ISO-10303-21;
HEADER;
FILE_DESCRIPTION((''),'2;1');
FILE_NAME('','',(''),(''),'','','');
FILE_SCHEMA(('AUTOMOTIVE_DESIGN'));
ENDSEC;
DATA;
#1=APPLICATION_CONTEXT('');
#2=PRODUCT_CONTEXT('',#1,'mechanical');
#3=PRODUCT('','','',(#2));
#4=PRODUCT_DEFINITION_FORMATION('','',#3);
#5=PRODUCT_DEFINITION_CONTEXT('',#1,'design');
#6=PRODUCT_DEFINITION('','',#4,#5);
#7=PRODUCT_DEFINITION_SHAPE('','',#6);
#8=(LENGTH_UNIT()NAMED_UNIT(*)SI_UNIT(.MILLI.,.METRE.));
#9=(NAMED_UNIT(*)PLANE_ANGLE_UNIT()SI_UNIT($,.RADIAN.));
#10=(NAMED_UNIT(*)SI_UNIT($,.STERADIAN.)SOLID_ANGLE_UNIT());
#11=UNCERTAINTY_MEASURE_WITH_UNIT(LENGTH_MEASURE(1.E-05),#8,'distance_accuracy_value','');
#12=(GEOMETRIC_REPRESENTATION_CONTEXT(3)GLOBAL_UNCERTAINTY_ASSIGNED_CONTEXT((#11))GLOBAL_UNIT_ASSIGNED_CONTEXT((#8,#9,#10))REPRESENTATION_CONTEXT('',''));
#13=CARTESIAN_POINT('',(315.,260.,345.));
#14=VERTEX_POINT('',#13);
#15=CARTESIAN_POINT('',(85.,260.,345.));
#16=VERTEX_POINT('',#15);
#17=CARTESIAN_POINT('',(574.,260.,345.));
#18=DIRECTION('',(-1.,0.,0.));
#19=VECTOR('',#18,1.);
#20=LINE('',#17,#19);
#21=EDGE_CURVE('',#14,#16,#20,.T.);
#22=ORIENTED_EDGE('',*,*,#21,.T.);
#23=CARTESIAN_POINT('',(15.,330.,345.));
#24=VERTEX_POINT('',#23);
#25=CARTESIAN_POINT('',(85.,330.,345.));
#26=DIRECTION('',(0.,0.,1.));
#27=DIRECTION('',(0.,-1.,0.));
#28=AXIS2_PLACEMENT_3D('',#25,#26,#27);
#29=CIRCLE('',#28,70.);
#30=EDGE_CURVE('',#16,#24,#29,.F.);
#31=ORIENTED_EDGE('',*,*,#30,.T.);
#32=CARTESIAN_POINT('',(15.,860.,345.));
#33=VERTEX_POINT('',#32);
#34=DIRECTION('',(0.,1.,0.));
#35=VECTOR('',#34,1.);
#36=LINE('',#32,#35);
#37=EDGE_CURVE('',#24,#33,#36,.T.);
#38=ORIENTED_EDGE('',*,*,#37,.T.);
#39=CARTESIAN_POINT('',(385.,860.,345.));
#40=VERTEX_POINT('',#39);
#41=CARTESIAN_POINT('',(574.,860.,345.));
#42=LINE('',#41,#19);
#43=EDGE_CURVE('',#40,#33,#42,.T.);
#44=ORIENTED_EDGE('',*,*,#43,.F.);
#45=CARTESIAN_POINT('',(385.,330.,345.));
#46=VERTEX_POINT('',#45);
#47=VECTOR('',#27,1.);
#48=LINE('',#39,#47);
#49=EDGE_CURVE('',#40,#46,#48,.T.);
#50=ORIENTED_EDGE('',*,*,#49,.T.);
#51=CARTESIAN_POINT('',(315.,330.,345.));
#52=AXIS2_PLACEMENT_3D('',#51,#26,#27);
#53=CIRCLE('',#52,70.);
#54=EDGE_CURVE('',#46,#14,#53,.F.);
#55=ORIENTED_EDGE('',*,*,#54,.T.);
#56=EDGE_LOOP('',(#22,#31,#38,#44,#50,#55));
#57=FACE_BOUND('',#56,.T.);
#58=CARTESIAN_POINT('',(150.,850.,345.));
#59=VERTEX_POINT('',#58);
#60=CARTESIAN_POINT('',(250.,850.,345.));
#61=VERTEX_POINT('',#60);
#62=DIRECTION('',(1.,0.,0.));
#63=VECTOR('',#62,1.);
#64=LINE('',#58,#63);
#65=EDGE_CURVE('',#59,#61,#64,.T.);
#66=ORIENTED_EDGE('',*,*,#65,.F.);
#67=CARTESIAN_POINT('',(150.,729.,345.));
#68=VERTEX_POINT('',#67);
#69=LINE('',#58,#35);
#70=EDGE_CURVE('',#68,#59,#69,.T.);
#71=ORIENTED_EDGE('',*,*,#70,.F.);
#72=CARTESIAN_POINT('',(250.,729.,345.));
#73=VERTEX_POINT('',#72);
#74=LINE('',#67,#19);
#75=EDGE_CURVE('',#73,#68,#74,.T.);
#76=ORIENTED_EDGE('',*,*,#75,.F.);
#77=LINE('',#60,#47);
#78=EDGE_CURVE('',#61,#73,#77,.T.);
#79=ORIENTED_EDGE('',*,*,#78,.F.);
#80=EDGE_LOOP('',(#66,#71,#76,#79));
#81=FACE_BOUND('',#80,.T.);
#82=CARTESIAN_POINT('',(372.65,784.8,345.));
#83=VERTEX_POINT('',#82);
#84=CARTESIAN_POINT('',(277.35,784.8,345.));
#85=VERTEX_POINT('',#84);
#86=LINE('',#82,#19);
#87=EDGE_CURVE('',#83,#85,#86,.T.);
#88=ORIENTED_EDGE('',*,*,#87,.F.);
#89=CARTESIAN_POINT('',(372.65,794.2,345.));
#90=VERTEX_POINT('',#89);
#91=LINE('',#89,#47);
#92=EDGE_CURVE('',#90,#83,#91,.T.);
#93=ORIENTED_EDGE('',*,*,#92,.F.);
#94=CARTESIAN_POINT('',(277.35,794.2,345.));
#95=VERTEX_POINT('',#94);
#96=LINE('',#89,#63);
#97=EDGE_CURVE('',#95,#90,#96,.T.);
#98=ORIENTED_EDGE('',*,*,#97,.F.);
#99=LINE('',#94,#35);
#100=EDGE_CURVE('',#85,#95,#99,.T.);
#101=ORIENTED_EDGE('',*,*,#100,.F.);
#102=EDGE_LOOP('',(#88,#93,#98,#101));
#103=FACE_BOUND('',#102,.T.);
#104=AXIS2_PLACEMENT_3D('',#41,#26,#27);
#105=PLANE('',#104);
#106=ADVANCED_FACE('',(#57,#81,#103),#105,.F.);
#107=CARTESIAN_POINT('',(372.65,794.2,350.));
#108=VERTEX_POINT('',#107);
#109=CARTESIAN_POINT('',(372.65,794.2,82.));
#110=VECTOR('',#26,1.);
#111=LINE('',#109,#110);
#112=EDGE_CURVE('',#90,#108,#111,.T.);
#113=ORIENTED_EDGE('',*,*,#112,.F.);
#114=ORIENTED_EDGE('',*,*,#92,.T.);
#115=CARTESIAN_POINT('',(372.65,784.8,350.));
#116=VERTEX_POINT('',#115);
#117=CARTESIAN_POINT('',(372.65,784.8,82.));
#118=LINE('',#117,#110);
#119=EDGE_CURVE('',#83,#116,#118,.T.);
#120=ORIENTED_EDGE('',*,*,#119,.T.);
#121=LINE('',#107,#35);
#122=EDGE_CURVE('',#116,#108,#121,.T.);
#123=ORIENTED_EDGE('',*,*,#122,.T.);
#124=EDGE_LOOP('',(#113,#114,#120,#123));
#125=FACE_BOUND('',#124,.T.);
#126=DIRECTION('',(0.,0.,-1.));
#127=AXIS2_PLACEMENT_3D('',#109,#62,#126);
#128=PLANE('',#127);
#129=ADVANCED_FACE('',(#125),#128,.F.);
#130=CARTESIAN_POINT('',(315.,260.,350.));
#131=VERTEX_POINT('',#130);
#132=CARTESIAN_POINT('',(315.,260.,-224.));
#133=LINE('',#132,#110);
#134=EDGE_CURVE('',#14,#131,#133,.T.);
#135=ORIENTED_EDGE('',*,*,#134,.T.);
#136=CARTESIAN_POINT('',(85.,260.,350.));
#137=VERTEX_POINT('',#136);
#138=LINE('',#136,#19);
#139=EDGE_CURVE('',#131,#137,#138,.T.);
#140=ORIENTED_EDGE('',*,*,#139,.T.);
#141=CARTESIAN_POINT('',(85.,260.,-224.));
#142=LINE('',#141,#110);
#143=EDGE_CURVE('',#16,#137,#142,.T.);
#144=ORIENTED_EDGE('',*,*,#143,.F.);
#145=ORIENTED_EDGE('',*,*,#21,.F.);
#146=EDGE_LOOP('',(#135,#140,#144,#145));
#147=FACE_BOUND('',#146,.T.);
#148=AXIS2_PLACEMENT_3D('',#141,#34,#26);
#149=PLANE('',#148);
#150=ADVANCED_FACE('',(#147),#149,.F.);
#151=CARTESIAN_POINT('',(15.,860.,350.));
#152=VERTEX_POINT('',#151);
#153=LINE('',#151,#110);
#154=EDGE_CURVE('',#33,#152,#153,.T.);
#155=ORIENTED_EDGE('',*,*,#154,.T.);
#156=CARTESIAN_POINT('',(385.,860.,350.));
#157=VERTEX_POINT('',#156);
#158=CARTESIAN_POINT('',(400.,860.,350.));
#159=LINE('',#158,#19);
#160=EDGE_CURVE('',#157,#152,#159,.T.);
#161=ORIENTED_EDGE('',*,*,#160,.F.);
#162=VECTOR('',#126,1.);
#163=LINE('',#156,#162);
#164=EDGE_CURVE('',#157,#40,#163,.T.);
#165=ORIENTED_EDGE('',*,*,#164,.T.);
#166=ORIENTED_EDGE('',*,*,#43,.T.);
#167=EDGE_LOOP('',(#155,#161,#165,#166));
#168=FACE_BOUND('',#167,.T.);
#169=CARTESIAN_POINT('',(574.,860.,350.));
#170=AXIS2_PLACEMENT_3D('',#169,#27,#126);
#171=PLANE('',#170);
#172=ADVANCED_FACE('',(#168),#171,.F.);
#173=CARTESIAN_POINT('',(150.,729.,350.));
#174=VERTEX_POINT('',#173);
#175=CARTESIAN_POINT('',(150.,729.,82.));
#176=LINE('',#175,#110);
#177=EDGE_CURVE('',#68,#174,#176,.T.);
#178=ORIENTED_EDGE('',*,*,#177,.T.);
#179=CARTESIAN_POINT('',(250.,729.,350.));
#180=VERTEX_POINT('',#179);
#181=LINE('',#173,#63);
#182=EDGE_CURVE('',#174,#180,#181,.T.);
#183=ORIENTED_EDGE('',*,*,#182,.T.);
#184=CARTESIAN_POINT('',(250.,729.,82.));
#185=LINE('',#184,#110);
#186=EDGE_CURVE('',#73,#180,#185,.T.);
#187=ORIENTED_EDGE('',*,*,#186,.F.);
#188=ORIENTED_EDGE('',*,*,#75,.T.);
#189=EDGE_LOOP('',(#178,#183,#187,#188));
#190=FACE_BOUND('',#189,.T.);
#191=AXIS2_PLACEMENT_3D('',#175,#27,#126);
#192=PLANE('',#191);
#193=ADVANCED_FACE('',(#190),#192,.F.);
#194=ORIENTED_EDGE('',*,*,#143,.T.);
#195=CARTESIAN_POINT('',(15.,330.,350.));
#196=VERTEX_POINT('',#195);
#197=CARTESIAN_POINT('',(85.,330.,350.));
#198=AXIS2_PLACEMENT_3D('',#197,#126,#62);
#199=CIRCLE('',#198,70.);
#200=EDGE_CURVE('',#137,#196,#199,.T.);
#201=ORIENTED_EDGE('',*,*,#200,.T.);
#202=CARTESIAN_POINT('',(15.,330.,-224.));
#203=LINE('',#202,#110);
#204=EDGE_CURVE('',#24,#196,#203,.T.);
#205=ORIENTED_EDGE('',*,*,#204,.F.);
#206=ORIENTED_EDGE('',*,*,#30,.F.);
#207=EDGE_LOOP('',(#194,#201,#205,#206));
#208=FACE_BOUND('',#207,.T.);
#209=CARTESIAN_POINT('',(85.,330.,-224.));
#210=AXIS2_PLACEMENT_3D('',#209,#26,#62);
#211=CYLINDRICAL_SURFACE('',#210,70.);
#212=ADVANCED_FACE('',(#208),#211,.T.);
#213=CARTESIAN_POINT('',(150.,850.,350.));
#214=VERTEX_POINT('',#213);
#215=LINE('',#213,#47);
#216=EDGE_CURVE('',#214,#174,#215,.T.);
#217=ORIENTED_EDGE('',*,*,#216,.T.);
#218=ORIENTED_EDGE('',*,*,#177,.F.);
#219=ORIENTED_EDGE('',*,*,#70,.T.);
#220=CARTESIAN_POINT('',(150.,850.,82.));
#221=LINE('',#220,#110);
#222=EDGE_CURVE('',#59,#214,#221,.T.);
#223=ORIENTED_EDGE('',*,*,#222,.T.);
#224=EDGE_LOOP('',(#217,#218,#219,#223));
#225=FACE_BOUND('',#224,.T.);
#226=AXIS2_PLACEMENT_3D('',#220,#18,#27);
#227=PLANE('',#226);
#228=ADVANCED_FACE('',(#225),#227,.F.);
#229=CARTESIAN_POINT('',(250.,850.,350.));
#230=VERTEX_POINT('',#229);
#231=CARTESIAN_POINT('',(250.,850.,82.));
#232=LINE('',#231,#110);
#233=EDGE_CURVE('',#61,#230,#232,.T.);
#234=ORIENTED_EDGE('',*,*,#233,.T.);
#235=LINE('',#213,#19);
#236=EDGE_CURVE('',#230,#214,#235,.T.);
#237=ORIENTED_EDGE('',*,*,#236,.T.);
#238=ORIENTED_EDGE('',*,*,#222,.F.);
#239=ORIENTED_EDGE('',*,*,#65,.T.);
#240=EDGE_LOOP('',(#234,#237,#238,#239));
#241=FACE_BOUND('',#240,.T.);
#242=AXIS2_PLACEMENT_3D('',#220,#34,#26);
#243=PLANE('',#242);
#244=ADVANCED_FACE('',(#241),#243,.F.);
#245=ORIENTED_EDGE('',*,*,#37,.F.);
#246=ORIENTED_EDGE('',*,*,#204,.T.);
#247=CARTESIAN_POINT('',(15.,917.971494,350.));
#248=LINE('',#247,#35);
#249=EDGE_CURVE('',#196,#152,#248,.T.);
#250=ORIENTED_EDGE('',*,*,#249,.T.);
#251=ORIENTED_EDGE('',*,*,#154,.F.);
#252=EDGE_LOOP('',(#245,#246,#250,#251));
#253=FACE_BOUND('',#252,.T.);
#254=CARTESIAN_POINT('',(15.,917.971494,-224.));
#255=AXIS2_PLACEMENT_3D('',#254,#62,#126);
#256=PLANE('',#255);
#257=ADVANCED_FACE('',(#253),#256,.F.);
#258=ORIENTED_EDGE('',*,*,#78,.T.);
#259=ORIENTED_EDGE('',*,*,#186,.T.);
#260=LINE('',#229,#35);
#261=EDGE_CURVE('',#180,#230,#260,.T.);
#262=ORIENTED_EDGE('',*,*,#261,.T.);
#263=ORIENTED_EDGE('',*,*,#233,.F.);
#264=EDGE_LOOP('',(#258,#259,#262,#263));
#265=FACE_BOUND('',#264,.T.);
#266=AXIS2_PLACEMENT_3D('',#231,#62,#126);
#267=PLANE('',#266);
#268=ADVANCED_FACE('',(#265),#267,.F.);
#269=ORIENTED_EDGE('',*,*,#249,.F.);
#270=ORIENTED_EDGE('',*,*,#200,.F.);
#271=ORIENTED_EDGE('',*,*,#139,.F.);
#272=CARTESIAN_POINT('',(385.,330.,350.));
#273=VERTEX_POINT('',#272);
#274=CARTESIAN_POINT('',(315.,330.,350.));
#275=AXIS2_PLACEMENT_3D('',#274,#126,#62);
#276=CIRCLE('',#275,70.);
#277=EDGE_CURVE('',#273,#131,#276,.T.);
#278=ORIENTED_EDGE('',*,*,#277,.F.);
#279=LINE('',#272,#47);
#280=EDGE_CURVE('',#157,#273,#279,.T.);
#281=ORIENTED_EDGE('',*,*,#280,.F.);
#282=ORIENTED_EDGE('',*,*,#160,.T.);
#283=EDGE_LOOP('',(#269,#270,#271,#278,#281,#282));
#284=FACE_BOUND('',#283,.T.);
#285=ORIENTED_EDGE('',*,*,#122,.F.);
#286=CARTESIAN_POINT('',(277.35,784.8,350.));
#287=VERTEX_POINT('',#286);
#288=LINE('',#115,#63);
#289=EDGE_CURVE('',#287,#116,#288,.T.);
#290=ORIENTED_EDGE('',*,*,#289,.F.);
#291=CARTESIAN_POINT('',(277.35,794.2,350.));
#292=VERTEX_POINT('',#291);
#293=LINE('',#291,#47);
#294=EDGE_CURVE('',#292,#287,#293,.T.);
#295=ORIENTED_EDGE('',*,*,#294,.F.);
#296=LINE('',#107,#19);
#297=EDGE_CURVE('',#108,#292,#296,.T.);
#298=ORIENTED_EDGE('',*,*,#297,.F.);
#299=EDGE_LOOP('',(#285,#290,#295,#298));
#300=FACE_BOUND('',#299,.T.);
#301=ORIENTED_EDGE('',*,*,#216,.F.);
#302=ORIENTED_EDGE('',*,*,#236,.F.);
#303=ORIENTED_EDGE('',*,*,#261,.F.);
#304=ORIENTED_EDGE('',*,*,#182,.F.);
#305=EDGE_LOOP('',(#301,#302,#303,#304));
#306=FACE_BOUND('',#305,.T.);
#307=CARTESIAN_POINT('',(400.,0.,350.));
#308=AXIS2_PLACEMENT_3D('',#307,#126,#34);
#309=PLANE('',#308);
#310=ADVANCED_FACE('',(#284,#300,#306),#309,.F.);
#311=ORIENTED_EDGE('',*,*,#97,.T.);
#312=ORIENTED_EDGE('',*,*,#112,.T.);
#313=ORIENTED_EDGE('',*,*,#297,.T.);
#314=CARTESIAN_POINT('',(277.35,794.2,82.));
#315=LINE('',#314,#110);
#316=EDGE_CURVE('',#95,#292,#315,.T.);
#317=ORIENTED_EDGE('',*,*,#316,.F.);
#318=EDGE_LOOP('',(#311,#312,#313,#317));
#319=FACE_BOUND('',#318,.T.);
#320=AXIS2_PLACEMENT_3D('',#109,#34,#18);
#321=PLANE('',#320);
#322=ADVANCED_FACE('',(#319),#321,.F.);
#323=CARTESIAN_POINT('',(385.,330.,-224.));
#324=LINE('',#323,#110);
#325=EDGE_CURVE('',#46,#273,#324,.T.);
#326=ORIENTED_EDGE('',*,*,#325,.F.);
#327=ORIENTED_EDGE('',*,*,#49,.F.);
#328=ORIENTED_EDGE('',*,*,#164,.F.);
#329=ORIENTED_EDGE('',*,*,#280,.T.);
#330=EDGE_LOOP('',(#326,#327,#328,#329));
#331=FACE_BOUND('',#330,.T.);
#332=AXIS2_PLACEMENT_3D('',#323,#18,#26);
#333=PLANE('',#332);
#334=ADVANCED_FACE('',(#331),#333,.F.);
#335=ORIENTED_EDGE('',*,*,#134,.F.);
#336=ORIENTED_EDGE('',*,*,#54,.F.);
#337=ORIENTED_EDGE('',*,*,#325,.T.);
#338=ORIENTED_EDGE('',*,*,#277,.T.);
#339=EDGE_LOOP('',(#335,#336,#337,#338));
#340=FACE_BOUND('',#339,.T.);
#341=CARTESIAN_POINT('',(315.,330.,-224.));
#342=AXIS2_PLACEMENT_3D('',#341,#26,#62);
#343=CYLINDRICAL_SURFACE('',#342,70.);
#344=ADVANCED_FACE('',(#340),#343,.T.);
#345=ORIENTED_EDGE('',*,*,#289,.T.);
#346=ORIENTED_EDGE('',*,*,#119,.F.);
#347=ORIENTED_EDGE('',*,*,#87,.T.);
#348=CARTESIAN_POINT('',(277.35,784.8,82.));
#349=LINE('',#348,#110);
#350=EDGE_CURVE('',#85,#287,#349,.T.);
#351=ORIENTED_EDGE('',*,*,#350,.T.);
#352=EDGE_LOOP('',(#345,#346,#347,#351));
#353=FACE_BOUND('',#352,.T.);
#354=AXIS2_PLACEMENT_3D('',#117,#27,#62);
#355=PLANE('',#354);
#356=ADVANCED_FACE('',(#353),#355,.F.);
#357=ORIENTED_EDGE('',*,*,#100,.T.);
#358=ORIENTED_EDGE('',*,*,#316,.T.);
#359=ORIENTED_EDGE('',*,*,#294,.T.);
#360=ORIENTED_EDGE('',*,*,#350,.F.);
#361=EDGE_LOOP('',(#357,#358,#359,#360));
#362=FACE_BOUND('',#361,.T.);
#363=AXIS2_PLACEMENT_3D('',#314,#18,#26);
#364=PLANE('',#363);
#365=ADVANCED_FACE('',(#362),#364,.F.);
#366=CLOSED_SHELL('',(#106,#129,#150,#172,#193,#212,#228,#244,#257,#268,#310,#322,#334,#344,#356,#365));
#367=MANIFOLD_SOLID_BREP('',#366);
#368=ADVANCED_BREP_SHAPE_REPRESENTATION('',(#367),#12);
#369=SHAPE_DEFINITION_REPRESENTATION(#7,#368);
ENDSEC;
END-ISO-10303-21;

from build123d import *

# Parameters (mm, degrees)
BOSS_EXTRUDE1_DEPTH = 400
SKETCH2_W           = 100
SKETCH2_H           = 121
SKETCH2_W_2         = 95.3
SKETCH2_H_2         = 9.4
CUT_EXTRUDE1_DEPTH  = 268
CUT_EXTRUDE2_DEPTH  = 574
CUT_EXTRUDE3_DEPTH  = 574


with BuildPart() as part:
    # Sketch1 → Boss-Extrude1 (new body)
    with BuildSketch(Plane(origin=(0, 0, 0), x_dir=(0, 0, -1), z_dir=(1, 0, 0))):
        with BuildLine():
            Line((0, 0), (-350, 0))
            Line((-350, 0), (-350, 860))
            ThreePointArc((-350, 860), (-338.284271247, 888.284271247), (-310, 900))
            Line((-310, 900), (-158.48888922, 900))
            Line((-158.48888922, 900), (-158.48888922, 1060.696902422))
            ThreePointArc((-158.48888922, 1060.696902422), (-46.288149621, 1012.851918963), (0, 900))
            Line((0, 900), (0, 0))
        make_face()
    extrude(amount=BOSS_EXTRUDE1_DEPTH)

    # Sketch2 → Cut-Extrude1 (cut)
    with BuildSketch(Plane.XY.offset(350)):
        with Locations((200, 789.5)):
            Rectangle(SKETCH2_W, SKETCH2_H)
        with Locations((325, 789.5)):
            Rectangle(SKETCH2_W_2, SKETCH2_H_2)
    extrude(amount=-CUT_EXTRUDE1_DEPTH, mode=Mode.SUBTRACT)

    # Sketch3 → Cut-Extrude2 (cut)
    with BuildSketch(Plane.ZY):
        Polygon((350, 860), (345, 860), (345, -140.268205657), (-654.048621222, 0), (-155.382910131, 1729.32315512), (878.315397885, 1431.24705506), align=None)
    extrude(amount=-CUT_EXTRUDE2_DEPTH, mode=Mode.SUBTRACT)

    # Sketch4 → Cut-Extrude3 (cut)
    with BuildSketch(Plane.XY.offset(350)):
        with BuildLine():
            Line((15, 917.971493868), (15, 330))
            ThreePointArc((15, 330), (35.502525317, 280.502525317), (85, 260))
            Line((85, 260), (315, 260))
            ThreePointArc((315, 260), (364.497474683, 280.502525317), (385, 330))
            Line((385, 330), (385, 917.971493868))
            Line((385, 917.971493868), (580.540592228, 679.226510724))
            Line((580.540592228, 679.226510724), (899.548672457, -163.886240254))
            Line((899.548672457, -163.886240254), (163.483674451, -163.886240254))
            Line((163.483674451, -163.886240254), (110.907603164, -163.886240254))
            Line((110.907603164, -163.886240254), (-601.64880395, 753.812426605))
            Line((-601.64880395, 753.812426605), (15, 917.971493868))
        make_face()
    extrude(amount=-CUT_EXTRUDE3_DEPTH, mode=Mode.SUBTRACT)


solid = part.part
